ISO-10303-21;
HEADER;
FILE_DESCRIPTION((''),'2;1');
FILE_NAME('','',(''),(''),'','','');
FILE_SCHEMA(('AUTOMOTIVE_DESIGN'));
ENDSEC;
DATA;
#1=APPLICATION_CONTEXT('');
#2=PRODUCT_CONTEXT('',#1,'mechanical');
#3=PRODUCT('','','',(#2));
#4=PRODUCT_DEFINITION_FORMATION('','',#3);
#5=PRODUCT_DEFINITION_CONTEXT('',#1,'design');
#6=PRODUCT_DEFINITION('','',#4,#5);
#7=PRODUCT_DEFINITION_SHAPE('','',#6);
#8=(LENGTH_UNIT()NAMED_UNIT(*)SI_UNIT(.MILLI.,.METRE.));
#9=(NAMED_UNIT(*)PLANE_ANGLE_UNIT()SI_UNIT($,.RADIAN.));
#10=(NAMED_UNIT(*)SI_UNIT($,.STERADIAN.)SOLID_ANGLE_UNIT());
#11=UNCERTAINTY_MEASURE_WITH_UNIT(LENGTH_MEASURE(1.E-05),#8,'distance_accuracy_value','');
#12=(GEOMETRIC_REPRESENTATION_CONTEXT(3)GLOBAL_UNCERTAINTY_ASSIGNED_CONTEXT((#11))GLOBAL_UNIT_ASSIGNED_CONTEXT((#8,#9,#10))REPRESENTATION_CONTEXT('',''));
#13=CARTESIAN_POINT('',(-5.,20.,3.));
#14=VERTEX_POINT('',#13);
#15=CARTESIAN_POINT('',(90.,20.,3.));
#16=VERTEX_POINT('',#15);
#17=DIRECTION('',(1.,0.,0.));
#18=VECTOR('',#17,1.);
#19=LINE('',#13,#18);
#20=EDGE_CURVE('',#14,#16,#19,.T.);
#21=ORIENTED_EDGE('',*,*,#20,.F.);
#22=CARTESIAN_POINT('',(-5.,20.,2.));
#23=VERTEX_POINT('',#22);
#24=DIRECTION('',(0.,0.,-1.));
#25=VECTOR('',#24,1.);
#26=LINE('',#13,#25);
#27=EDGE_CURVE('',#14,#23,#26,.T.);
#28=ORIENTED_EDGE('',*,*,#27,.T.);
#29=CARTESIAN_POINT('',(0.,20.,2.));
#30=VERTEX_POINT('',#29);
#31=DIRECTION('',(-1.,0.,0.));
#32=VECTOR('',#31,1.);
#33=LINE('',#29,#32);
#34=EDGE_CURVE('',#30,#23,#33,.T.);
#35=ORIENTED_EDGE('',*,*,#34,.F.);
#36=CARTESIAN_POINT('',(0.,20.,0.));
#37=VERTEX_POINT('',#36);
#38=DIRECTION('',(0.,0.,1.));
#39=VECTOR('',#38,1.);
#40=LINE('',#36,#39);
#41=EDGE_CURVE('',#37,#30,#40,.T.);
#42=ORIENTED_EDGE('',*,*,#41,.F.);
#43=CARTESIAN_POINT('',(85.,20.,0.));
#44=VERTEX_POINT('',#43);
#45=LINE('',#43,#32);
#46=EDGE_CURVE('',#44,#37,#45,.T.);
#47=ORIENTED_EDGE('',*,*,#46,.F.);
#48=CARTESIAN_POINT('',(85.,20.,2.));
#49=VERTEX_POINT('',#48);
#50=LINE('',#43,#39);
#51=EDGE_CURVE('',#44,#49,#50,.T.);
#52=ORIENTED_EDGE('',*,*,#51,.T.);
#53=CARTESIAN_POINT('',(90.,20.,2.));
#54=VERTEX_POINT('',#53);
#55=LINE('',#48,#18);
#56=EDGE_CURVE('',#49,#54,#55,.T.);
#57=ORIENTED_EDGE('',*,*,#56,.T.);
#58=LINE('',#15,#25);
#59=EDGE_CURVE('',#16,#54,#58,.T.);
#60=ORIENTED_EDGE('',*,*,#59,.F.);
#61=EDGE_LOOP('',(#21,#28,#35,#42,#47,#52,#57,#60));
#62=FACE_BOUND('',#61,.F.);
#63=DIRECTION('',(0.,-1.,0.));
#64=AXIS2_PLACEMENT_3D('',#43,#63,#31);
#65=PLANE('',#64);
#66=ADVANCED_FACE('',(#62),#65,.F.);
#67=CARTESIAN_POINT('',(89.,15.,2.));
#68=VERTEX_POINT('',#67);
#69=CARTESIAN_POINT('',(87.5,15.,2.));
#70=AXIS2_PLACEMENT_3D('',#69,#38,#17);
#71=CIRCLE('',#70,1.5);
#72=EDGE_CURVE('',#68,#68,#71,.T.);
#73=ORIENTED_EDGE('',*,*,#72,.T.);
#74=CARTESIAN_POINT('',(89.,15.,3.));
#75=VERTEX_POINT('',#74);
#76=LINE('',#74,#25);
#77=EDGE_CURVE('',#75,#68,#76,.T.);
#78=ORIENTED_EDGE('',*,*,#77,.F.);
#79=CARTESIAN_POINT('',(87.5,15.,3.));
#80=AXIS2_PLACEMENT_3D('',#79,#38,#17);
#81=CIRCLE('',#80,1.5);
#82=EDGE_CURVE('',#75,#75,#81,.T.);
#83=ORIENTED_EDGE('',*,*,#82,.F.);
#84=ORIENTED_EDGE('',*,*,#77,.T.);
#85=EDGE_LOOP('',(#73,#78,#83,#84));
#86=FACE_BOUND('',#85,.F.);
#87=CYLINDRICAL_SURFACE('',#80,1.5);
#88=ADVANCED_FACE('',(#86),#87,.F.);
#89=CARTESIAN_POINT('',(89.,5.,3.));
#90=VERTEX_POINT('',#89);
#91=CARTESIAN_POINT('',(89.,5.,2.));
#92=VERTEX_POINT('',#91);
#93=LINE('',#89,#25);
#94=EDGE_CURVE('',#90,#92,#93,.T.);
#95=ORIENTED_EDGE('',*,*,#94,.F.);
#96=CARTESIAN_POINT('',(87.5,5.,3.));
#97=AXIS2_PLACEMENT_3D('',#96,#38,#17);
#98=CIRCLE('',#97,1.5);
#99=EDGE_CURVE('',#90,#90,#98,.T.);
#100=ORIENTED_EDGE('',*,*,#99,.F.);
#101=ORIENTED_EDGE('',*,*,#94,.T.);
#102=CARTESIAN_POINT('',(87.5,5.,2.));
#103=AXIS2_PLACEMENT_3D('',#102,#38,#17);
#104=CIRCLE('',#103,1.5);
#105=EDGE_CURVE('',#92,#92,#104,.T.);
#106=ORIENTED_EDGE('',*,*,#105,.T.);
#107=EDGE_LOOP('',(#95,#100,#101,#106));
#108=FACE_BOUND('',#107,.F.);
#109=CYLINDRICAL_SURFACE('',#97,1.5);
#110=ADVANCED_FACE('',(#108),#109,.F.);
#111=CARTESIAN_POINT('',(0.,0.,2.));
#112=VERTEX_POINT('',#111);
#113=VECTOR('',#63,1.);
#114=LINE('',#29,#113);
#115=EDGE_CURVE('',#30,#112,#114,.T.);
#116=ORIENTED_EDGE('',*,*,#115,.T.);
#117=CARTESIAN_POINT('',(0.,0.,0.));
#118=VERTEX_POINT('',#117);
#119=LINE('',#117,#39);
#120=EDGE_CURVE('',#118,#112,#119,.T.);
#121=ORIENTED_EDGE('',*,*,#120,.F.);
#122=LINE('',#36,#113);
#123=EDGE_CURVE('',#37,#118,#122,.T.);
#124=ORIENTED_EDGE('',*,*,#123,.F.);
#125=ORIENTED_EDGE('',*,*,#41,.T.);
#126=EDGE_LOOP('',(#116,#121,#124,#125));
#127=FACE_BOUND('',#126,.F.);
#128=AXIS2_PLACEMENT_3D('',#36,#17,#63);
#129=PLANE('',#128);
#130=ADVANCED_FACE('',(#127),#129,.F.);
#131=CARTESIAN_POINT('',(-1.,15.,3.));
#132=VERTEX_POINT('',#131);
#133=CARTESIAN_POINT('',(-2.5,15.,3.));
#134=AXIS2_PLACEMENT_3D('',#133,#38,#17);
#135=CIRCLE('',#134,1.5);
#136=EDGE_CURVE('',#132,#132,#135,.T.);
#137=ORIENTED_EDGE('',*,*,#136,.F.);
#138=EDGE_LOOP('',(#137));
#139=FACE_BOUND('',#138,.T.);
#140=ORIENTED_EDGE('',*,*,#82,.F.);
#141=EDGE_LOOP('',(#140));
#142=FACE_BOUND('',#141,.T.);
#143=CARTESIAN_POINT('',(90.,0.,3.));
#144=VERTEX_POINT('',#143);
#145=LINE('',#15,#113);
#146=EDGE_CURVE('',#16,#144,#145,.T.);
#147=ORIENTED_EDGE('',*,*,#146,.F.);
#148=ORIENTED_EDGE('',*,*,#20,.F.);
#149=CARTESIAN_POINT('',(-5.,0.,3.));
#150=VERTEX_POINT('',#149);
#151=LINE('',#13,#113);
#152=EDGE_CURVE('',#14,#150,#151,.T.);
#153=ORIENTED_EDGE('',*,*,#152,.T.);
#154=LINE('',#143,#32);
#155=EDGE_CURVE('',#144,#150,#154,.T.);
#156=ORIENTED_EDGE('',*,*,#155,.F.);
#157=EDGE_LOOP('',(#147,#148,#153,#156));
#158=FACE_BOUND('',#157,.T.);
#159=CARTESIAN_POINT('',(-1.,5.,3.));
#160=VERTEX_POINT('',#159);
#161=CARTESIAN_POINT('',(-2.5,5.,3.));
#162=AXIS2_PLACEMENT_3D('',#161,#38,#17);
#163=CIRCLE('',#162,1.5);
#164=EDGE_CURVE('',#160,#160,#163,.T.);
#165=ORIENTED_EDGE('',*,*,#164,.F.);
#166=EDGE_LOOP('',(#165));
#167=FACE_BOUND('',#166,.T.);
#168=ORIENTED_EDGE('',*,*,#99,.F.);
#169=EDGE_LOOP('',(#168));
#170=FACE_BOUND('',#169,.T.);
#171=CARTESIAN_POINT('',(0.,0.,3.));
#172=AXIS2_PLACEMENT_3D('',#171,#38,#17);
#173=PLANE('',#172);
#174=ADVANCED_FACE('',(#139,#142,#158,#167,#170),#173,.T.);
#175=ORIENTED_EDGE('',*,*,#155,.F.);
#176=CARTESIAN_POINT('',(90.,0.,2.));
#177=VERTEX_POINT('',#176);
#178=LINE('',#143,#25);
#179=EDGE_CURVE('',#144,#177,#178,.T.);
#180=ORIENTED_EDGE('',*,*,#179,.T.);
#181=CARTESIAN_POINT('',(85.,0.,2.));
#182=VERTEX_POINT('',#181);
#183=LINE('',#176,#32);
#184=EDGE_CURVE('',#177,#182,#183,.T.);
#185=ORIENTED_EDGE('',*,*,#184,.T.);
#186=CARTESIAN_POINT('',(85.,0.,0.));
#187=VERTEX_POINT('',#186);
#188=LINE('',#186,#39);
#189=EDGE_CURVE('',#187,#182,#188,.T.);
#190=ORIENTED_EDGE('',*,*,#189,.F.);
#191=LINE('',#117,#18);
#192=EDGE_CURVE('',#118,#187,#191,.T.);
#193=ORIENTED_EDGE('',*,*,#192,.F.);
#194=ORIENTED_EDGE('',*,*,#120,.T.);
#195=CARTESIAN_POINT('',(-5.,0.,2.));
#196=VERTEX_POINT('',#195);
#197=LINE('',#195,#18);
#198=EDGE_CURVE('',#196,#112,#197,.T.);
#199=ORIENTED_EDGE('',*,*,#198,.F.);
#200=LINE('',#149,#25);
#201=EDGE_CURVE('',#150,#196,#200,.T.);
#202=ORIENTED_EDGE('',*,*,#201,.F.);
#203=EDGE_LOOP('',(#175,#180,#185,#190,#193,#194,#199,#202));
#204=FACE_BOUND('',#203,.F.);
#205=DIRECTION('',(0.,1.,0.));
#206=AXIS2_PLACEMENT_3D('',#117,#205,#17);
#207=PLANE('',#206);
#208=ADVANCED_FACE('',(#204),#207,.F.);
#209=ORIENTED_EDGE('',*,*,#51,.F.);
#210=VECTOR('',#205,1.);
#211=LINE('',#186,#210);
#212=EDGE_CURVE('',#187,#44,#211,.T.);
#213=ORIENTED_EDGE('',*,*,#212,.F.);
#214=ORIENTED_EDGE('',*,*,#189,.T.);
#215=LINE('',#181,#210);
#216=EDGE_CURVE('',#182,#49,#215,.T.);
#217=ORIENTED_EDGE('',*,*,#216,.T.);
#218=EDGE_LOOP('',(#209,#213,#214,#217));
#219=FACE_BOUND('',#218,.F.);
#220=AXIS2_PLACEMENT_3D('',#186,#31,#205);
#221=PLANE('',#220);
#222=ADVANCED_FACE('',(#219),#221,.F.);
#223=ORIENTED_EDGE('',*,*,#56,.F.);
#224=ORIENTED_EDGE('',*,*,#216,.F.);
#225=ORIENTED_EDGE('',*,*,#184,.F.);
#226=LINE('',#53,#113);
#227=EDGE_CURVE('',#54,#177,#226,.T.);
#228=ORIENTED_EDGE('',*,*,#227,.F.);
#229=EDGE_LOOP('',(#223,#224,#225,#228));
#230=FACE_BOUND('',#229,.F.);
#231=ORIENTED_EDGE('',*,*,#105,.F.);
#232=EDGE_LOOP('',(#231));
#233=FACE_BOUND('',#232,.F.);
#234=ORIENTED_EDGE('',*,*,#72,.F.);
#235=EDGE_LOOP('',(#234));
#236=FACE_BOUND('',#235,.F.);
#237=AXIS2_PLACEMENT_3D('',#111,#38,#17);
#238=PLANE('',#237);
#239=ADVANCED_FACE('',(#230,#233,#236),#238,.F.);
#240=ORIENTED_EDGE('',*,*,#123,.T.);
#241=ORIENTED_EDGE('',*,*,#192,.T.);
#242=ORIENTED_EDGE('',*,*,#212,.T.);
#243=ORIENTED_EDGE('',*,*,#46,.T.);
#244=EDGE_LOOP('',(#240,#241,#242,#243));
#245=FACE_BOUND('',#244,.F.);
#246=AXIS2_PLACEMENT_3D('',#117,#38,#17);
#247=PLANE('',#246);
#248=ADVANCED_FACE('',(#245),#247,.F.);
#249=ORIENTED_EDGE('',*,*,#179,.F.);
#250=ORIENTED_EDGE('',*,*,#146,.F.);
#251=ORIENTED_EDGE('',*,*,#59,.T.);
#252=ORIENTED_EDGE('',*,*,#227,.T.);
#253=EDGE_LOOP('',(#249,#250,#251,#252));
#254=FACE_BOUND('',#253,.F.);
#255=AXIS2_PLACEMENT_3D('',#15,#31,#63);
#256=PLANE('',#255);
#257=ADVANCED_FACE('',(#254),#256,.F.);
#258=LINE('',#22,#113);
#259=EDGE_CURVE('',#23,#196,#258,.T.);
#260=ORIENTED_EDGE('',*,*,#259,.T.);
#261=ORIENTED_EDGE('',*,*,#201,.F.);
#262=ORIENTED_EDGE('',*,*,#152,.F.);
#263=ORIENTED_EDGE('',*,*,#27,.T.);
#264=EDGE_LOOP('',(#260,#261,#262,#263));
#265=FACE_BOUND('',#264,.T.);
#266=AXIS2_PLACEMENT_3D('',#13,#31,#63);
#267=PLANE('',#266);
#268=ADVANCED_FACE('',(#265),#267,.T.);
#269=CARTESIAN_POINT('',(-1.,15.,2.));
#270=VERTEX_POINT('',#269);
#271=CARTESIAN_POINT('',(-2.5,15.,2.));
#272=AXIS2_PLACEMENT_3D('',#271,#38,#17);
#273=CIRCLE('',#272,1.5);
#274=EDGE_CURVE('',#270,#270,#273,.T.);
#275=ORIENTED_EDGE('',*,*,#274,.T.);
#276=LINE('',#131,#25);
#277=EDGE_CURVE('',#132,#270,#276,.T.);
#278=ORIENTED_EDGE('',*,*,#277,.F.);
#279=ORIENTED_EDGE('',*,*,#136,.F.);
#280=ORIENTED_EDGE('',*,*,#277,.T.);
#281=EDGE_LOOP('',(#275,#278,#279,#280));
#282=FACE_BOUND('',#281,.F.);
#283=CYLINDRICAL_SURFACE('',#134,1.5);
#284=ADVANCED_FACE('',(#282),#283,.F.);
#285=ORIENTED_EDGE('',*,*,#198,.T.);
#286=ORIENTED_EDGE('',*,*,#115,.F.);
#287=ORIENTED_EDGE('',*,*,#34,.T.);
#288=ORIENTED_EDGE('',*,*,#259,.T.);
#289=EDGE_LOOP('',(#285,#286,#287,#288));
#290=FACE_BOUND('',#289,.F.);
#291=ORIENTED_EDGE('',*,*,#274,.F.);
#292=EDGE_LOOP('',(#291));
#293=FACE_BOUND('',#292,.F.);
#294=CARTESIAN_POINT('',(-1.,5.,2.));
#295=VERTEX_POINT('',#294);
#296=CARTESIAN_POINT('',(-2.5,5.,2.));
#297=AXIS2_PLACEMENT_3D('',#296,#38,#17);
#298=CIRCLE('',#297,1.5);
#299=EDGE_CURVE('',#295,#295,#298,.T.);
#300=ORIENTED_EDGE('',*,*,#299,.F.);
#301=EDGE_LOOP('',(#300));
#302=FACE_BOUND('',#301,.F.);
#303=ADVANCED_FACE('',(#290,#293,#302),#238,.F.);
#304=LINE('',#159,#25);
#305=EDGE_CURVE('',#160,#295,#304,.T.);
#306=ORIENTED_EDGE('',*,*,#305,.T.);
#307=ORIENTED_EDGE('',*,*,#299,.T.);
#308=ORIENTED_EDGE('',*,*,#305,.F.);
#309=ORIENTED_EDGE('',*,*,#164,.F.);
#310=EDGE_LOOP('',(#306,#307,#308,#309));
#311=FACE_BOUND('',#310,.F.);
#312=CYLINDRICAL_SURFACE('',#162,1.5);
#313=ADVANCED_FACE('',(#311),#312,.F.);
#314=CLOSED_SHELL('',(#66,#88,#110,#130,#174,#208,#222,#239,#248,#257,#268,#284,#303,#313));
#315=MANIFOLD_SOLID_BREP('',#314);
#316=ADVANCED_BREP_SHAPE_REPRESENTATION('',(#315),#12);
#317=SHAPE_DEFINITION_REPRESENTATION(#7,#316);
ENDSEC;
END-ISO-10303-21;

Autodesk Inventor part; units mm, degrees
ref_plane "YZ Plane" through (0, 0, 0) normal (1, 0, 0) x (0, 1, 0)
ref_plane "XZ Plane" through (0, 0, 0) normal (0, 1, 0) x (-1, 0, 0)
ref_plane "XY Plane" through (0, 0, 0) normal (0, 0, 1) x (1, 0, 0)
sketch "Эскиз1" plane through (0, 0, 0) normal (0, 0, 1) x (1, 0, 0)
  point P0 (0, 0)
sketch "Эскиз2" plane through (0, 0, 0) normal (0, 0, 1) x (1, 0, 0)
  line L0 (0, 0) -> (85, 0)
  line L1 (85, 0) -> (85, 20)
  line L2 (85, 20) -> (0, 20)
  line L3 (0, 20) -> (0, 0)
  dimension "d0" = 85
  dimension "d1" = 20
extrude "Выдавливание1" add sketch "Эскиз2" along normal blind 3
sketch "Эскиз3" plane through (0, 0, 3) normal (0, 0, 1) x (1, 0, 0)
  line L0 (0, 20) -> (0, 0) projected
  line L1 (85, 0) -> (85, 20) projected
  line L2 (0, 20) -> (-5, 20)
  line L3 (-5, 20) -> (-5, 0)
  line L4 (-5, 0) -> (0, 0)
  line L5 (0, 0) -> (0, 20)
  circle A0 centre (-2.5, 15) radius 1.5
  circle A1 centre (-2.5, 5) radius 1.5
  line L6 (85, 20) -> (85, 0)
  line L7 (85, 20) -> (90, 20)
  line L8 (90, 20) -> (90, 0)
  line L9 (90, 0) -> (85, 0)
  line L10 (85, 0) -> (85, 20)
  circle A2 centre (87.5, 15) radius 1.5
  circle A3 centre (87.5, 5) radius 1.5
  dimension "d4" = 5
  dimension "d7" = 3
  dimension "d8" = 3
extrude "Выдавливание2" add sketch "Эскиз3" against normal blind 1
properties part number "Крышка на ESC" material "Пластик ПЭТ"
